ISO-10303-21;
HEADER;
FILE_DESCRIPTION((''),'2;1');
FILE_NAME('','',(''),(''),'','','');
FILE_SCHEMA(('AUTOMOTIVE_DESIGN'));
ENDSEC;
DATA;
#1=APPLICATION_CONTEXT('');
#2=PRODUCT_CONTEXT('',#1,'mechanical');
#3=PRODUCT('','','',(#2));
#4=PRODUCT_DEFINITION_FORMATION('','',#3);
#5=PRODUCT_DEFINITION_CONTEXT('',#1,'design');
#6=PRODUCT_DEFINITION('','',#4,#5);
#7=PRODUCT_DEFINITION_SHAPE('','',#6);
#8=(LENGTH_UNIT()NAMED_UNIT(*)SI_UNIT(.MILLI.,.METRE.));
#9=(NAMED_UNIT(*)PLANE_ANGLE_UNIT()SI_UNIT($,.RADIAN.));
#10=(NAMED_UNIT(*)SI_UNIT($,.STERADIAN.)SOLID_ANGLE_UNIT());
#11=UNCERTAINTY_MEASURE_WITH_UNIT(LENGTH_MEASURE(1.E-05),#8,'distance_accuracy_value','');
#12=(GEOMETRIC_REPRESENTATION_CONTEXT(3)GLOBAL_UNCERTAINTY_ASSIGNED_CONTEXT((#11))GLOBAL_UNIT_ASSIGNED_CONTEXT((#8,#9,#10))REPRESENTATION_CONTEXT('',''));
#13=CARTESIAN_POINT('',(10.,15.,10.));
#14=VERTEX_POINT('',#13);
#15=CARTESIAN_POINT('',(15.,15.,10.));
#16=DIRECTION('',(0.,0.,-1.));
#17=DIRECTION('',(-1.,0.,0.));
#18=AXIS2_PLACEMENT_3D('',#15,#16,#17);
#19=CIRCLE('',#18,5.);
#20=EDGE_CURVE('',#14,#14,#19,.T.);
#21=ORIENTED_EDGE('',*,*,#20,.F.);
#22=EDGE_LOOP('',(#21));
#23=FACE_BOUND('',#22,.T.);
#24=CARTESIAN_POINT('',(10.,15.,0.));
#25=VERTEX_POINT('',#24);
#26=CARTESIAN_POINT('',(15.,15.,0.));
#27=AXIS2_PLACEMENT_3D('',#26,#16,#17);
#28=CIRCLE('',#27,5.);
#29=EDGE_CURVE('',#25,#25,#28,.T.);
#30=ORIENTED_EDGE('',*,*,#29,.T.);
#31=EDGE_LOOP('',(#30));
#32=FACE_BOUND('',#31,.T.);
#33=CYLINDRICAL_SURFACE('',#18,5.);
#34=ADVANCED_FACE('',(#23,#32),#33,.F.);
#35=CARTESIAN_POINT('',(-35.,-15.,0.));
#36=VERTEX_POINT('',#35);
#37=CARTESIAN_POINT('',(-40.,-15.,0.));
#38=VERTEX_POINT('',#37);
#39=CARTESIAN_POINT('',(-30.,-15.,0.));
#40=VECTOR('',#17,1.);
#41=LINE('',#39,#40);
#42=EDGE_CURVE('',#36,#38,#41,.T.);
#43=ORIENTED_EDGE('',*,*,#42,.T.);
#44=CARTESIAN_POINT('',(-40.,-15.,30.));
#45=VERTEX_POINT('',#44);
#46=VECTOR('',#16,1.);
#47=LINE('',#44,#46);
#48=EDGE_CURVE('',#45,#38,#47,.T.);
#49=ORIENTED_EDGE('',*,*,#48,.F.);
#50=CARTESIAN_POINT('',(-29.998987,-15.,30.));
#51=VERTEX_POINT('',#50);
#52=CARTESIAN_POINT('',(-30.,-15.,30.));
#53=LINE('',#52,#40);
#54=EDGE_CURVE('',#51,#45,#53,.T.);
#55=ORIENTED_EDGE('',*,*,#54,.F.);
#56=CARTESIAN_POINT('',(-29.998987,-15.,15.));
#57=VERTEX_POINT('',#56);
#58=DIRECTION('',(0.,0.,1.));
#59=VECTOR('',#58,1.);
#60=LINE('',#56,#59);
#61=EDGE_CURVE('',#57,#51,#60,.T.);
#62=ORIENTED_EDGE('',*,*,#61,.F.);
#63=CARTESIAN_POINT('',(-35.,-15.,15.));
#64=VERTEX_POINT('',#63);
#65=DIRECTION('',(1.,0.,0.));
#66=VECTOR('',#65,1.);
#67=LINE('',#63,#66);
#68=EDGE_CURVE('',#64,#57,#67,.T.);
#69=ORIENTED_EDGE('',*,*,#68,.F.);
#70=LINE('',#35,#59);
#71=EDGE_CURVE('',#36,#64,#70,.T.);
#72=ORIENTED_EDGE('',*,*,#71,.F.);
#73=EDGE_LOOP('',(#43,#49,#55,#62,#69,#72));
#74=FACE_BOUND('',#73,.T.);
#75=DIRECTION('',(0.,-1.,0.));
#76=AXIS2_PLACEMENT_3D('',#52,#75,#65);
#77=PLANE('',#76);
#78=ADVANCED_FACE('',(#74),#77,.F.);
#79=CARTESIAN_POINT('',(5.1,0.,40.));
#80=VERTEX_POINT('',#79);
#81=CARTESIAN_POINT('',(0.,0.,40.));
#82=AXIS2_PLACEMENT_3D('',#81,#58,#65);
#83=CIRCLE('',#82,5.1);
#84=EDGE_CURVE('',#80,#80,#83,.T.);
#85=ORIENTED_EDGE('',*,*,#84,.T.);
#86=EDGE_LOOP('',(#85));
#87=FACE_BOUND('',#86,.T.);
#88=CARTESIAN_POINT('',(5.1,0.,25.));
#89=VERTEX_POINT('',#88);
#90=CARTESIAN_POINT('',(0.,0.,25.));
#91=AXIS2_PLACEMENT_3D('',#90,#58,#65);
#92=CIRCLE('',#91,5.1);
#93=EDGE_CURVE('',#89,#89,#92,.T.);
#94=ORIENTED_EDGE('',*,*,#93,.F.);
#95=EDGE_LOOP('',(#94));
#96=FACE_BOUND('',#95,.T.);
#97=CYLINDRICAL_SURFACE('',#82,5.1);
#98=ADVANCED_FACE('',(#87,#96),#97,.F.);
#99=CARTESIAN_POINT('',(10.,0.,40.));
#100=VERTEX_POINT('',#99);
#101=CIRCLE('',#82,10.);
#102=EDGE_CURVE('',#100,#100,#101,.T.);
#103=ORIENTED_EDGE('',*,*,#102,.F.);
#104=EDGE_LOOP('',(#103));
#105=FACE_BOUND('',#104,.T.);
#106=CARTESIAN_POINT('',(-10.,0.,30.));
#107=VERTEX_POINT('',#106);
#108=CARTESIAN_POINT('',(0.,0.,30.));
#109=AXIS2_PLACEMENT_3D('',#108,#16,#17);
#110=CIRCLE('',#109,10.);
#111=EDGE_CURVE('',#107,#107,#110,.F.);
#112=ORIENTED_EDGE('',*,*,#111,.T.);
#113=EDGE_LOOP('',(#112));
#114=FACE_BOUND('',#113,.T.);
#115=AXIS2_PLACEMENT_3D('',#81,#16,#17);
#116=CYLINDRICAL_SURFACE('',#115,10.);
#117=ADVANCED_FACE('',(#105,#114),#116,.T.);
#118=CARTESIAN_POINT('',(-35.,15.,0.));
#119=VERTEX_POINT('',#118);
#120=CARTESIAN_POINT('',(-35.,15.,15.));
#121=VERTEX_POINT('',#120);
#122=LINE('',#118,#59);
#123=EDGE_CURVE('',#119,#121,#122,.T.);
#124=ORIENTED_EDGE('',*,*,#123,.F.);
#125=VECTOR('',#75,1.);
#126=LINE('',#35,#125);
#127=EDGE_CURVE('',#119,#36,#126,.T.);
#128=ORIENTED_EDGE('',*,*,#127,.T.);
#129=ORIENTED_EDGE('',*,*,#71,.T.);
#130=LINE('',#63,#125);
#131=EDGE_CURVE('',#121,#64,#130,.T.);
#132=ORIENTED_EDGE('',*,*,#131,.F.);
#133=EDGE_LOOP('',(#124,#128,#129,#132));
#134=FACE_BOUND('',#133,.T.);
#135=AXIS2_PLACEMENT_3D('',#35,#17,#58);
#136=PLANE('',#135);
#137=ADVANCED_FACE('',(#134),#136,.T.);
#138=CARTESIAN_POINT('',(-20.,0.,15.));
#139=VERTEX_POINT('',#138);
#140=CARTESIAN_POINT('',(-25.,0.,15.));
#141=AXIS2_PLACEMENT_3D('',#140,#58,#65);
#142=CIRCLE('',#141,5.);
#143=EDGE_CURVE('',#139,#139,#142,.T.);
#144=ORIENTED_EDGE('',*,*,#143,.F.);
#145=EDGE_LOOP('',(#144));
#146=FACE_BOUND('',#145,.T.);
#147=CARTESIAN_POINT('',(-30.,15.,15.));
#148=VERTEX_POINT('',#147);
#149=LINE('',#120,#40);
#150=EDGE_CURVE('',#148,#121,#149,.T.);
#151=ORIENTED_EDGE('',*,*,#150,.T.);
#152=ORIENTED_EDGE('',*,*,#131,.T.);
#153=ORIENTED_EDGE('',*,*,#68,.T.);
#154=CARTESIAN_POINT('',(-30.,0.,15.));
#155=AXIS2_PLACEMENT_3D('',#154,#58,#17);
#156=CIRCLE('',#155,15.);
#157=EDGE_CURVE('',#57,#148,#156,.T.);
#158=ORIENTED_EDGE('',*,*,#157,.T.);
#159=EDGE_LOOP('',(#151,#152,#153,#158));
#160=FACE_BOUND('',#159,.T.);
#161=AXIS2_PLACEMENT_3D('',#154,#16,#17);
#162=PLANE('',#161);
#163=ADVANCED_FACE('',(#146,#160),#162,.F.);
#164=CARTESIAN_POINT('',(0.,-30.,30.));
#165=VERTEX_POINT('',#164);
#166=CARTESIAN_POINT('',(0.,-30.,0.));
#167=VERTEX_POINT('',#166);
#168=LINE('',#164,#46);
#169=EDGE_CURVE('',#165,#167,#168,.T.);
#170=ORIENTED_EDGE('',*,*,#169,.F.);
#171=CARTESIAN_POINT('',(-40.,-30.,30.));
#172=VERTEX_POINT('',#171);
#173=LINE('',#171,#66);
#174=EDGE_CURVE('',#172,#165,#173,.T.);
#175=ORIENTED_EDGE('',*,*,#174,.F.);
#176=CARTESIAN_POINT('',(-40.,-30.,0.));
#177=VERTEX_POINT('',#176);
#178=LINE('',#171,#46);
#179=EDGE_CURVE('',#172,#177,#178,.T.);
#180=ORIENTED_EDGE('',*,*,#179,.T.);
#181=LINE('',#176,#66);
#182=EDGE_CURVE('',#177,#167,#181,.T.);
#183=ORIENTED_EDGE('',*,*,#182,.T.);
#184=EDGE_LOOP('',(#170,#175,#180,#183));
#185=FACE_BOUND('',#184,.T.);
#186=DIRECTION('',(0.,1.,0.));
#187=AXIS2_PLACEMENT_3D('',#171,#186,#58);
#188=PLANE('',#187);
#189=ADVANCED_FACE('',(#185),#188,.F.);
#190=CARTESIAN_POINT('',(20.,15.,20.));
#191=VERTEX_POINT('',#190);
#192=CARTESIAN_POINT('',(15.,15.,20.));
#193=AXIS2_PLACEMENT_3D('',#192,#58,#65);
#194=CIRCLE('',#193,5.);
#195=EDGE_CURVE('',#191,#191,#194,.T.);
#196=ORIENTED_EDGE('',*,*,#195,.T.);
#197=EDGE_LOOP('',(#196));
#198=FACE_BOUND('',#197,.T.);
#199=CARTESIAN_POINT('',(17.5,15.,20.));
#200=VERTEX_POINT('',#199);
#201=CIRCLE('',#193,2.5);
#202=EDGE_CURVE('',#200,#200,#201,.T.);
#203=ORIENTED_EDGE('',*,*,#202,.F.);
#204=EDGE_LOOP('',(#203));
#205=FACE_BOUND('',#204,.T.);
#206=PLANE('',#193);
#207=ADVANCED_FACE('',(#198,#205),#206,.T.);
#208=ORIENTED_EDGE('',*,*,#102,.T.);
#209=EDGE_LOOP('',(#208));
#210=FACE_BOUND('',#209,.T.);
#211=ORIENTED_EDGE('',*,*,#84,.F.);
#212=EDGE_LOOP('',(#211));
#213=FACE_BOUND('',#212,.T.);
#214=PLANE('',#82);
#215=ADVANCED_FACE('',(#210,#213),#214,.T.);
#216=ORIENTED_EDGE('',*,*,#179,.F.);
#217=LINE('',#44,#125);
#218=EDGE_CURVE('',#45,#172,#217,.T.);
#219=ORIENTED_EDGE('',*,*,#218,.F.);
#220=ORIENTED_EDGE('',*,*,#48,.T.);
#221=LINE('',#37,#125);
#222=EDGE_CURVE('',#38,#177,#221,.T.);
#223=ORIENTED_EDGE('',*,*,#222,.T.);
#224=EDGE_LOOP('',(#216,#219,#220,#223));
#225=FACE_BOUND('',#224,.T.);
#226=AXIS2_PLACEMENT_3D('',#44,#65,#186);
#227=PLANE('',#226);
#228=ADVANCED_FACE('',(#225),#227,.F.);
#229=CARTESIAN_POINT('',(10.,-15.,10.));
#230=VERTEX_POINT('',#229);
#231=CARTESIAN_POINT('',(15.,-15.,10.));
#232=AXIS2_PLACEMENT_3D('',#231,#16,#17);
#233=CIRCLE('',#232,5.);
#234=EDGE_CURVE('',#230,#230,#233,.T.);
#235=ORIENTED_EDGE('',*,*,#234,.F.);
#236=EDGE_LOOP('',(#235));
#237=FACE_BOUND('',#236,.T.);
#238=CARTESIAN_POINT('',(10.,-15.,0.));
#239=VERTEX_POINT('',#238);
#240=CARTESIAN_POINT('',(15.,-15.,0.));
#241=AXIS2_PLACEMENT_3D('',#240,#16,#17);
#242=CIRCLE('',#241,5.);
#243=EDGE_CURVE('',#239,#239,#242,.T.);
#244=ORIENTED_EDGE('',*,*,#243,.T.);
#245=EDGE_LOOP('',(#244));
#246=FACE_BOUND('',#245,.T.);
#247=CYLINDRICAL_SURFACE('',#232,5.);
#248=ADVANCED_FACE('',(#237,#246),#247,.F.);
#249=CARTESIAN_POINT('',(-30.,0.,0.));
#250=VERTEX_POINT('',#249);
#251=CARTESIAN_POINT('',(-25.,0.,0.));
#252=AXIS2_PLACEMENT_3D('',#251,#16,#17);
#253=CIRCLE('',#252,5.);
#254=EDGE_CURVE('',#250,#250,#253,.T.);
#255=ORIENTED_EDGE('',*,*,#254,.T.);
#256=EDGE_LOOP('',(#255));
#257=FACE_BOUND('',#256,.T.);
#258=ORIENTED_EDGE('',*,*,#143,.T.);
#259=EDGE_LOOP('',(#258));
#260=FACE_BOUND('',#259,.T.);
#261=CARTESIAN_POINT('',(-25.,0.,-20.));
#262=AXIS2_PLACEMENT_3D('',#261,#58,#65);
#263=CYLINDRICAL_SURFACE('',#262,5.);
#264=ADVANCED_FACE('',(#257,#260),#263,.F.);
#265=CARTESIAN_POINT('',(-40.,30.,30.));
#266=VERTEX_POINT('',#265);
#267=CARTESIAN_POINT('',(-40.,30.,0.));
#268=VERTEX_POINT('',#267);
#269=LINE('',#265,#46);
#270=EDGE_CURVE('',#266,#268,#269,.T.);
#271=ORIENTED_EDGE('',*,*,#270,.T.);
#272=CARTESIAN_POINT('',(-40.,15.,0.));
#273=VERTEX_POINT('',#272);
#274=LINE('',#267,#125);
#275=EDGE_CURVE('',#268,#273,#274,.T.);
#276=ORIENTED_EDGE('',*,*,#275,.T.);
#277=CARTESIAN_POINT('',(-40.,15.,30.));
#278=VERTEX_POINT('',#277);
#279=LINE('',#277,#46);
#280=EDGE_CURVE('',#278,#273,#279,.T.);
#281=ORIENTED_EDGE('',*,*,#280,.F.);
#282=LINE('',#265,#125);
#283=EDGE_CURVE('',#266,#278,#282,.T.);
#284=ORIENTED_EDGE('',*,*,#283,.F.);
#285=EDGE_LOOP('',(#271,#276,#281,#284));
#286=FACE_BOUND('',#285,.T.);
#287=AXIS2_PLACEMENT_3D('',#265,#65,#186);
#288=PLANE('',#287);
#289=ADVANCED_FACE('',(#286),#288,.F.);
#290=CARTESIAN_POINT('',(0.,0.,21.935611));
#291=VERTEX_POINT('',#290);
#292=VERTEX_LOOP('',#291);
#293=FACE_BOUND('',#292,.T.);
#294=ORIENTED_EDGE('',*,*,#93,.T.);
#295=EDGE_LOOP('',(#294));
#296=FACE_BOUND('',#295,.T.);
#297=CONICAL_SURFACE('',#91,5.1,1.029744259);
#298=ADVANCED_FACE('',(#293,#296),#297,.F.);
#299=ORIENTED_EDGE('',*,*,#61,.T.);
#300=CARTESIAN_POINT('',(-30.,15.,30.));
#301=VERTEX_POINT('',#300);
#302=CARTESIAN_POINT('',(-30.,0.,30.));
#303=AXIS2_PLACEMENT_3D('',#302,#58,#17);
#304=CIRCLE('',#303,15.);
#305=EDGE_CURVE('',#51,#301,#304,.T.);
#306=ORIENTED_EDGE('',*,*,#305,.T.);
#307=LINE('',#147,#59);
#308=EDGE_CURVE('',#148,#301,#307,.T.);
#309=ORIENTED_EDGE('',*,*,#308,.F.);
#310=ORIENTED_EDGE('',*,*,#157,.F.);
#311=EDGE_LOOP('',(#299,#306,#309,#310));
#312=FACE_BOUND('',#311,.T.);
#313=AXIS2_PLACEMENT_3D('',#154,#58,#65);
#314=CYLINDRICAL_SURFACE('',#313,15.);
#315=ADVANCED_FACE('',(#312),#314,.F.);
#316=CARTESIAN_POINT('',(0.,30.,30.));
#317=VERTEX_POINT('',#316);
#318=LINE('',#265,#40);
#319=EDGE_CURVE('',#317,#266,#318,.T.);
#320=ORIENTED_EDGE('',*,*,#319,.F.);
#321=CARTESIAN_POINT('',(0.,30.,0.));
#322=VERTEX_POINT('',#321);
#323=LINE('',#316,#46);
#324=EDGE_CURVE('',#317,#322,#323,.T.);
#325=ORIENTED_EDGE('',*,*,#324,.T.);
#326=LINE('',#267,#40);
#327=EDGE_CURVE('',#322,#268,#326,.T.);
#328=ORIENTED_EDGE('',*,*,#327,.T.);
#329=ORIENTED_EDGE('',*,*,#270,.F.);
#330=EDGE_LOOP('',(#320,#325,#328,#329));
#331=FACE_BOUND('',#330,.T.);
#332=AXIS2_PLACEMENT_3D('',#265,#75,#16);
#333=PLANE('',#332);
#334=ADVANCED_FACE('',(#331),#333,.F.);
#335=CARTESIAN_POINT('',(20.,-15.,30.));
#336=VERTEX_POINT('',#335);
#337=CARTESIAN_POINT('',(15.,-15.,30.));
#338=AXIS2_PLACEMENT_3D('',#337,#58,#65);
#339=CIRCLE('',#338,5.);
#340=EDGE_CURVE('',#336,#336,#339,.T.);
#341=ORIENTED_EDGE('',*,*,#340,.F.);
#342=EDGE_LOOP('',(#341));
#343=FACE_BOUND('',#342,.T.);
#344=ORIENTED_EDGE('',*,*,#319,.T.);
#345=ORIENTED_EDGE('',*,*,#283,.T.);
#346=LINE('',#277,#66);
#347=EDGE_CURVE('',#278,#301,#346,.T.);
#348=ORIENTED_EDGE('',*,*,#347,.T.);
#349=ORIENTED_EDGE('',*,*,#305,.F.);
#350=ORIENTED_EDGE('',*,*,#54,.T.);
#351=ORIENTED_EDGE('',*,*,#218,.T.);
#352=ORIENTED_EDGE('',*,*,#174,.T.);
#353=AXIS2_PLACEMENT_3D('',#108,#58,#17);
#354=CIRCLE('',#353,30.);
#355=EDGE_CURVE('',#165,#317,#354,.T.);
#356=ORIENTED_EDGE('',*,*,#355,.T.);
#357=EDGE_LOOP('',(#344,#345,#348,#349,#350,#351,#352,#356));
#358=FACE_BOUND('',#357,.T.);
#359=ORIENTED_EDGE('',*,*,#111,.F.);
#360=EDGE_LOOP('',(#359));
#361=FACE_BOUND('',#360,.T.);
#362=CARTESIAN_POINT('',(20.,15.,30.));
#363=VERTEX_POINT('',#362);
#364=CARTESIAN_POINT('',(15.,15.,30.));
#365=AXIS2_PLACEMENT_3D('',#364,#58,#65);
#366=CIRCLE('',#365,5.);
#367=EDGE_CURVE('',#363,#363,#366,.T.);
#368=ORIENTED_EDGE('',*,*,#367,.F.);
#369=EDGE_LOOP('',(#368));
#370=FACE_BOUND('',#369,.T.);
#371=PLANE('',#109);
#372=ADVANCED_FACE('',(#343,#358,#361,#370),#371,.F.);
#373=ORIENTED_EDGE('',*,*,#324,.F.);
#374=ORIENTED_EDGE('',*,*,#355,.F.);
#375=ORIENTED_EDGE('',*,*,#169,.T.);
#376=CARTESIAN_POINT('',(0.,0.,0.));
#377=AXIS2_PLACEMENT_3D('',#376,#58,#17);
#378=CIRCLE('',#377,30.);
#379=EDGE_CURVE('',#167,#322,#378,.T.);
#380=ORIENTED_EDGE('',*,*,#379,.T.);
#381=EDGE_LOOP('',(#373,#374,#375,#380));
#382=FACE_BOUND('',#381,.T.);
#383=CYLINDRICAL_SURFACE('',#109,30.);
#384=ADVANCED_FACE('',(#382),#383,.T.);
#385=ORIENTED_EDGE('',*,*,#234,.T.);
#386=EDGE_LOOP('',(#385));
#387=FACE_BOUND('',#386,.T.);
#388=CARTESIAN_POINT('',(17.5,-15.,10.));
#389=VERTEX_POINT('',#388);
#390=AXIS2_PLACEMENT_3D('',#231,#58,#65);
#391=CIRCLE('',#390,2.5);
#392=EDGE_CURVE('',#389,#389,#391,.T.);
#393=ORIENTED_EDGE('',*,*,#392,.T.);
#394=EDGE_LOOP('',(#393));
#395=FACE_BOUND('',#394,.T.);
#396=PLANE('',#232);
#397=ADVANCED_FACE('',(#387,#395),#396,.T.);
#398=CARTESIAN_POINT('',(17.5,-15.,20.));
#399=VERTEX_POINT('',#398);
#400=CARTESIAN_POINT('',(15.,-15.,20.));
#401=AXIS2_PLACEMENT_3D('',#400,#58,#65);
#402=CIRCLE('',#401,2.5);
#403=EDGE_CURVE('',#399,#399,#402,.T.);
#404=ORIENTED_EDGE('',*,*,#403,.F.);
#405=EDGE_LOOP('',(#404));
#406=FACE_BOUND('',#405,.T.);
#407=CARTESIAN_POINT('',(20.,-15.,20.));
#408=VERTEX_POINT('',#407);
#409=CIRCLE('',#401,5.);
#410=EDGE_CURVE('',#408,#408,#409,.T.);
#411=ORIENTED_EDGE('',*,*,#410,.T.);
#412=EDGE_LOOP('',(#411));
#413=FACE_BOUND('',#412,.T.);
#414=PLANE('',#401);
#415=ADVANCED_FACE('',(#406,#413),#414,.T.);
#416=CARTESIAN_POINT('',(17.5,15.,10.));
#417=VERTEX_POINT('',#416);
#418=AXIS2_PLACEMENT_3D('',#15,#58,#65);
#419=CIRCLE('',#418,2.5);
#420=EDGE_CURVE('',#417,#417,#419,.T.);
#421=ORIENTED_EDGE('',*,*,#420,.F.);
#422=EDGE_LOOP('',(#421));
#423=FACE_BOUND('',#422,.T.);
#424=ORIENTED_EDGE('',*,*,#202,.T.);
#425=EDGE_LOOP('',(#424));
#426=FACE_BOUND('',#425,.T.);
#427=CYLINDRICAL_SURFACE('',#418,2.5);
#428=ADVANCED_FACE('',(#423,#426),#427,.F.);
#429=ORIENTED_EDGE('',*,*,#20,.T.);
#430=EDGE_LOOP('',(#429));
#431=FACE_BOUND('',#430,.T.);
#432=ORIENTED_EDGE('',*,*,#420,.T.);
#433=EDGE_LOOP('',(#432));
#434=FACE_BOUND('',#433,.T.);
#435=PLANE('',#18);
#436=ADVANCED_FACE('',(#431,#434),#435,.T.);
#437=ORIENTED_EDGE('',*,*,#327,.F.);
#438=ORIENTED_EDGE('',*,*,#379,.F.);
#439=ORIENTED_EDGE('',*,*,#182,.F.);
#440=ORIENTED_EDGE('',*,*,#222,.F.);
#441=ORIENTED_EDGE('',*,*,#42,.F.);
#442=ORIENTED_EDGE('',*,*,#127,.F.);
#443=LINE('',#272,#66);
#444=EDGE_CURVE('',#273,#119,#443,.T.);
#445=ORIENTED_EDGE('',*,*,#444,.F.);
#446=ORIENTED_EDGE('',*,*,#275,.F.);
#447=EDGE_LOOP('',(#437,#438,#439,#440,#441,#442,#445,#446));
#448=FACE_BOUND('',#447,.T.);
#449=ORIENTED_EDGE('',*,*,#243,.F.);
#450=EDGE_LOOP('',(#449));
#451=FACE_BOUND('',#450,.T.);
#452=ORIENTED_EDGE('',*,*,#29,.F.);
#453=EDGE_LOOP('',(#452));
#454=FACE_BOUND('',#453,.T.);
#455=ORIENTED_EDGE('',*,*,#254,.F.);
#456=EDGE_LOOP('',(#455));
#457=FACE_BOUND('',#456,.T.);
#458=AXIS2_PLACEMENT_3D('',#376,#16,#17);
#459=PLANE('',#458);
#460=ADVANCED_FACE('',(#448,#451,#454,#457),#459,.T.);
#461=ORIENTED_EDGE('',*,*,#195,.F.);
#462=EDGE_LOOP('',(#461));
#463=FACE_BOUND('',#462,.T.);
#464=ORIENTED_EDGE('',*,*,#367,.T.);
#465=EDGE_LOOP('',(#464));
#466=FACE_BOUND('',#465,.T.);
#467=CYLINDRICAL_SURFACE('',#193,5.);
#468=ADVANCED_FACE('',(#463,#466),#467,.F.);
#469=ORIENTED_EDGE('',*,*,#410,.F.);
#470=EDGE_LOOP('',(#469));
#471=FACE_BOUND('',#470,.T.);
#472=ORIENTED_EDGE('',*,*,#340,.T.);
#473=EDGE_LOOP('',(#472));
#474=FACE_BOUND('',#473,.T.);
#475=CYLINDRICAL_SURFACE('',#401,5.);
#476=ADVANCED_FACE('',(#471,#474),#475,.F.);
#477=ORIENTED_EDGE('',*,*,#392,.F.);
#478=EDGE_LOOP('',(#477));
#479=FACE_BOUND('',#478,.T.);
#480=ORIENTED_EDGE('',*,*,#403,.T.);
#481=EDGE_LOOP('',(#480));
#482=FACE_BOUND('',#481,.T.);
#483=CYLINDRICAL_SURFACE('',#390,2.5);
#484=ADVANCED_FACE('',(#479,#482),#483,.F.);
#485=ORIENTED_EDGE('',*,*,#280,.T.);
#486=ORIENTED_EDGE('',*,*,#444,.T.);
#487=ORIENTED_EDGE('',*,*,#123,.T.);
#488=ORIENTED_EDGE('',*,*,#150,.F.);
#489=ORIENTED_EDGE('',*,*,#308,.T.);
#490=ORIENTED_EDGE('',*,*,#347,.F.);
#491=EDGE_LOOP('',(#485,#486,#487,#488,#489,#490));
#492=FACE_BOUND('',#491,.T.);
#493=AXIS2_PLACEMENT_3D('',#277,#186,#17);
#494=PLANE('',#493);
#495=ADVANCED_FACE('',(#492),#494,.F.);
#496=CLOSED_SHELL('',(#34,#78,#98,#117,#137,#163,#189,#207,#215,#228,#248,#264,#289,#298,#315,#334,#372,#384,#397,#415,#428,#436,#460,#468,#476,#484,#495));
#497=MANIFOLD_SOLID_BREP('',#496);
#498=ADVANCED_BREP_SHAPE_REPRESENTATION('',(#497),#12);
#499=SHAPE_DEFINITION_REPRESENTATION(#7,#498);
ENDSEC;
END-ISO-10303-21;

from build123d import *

# Parameters (mm, degrees)
BOSS_EXTRUDE1_DEPTH    = 30
BOSS_EXTRUDE3_DEPTH    = 30
CUT_EXTRUDE1_DEPTH     = 15
SKETCH7_R              = 5
CUT_EXTRUDE2_DEPTH     = 35
SKETCH8_R              = 10
BOSS_EXTRUDE4_DEPTH    = 10
SKETCH10_R             = 5
CUT_EXTRUDE6_DEPTH     = 10
SKETCH12_R             = 2.5
CUT_EXTRUDE7_DEPTH     = 10
SKETCH13_R             = 5
CUT_EXTRUDE8_DEPTH     = 10
M12_TAPPED_HOLE1_D     = 10.2
M12_TAPPED_HOLE1_DEPTH = 15
M12_TAPPED_HOLE1_TIP   = 3.064389157


with BuildPart() as part:
    # Sketch1 → Boss-Extrude1 (new body)
    with BuildSketch(Plane.XY):
        with BuildLine():
            Line((-40, 30), (-40, 15))
            Line((-40, 15), (-30, 15))
            ThreePointArc((-30, 15), (-15, 0), (-30, -15))
            Line((-30, -15), (-40, -15))
            Line((-40, -15), (-40, -30))
            Line((-40, -30), (0, -30))
            ThreePointArc((0, -30), (30, 0), (0, 30))
            Line((0, 30), (-40, 30))
        make_face()
    extrude(amount=BOSS_EXTRUDE1_DEPTH)

    # Sketch5 → Boss-Extrude3 (add)
    with BuildSketch(Plane.XY.offset(30)):
        with BuildLine():
            Line((-30, 15), (-35, 15))
            Line((-35, 15), (-35, -15))
            Line((-35, -15), (-30, -15))
            ThreePointArc((-30, -15), (-15, 0), (-30, 15))
        make_face()
    extrude(amount=-BOSS_EXTRUDE3_DEPTH)

    # Sketch6 → Cut-Extrude1 (cut)
    with BuildSketch(Plane.XY.offset(30)):
        with BuildLine():
            Line((-35, 15), (-30, 15))
            ThreePointArc((-30, 15), (-14.999999991, 0.000506597), (-29.998986771, -15))
            Line((-29.998986771, -15), (-35, -15))
            Line((-35, -15), (-35, 15))
        make_face()
    extrude(amount=-CUT_EXTRUDE1_DEPTH, mode=Mode.SUBTRACT)

    # Sketch7 → Cut-Extrude2 (cut)
    with BuildSketch(Plane.XY.offset(15)):
        with Locations((-25, 0)):
            Circle(SKETCH7_R)
    extrude(amount=-CUT_EXTRUDE2_DEPTH, mode=Mode.SUBTRACT)

    # Sketch8 → Boss-Extrude4 (add)
    with BuildSketch(Plane.XY.offset(30)):
        Circle(SKETCH8_R)
    extrude(amount=BOSS_EXTRUDE4_DEPTH)

    # Sketch10 → Cut-Extrude6 (cut)
    with BuildSketch(Plane.XY.offset(30)):
        with Locations((15, 15)):
            Circle(SKETCH10_R)
        with Locations((15, -15)):
            Circle(SKETCH10_R)
    extrude(amount=-CUT_EXTRUDE6_DEPTH, mode=Mode.SUBTRACT)

    # Sketch12 → Cut-Extrude7 (cut)
    with BuildSketch(Plane.XY.offset(20)):
        with Locations((15, 15)):
            Circle(SKETCH12_R)
        with Locations((15, -15)):
            Circle(SKETCH12_R)
    extrude(amount=-CUT_EXTRUDE7_DEPTH, mode=Mode.SUBTRACT)

    # Sketch13 → Cut-Extrude8 (cut)
    with BuildSketch(Plane(origin=(0, 0, 0), x_dir=(-1, 0, 0), z_dir=(0, 0, -1))):
        with Locations((-15, 15)):
            Circle(SKETCH13_R)
        with Locations((-15, -15)):
            Circle(SKETCH13_R)
    extrude(amount=-CUT_EXTRUDE8_DEPTH, mode=Mode.SUBTRACT)

    # M12 Tapped Hole1
    with Locations(Plane.XY.offset(40)):
        with Locations((0, 0)):
            Hole(M12_TAPPED_HOLE1_D / 2, depth=M12_TAPPED_HOLE1_DEPTH)
            with Locations((0, 0, -(M12_TAPPED_HOLE1_DEPTH + M12_TAPPED_HOLE1_TIP / 2))):  # 118° drill point
                Cone(0, M12_TAPPED_HOLE1_D / 2, M12_TAPPED_HOLE1_TIP, mode=Mode.SUBTRACT)


solid = part.part
